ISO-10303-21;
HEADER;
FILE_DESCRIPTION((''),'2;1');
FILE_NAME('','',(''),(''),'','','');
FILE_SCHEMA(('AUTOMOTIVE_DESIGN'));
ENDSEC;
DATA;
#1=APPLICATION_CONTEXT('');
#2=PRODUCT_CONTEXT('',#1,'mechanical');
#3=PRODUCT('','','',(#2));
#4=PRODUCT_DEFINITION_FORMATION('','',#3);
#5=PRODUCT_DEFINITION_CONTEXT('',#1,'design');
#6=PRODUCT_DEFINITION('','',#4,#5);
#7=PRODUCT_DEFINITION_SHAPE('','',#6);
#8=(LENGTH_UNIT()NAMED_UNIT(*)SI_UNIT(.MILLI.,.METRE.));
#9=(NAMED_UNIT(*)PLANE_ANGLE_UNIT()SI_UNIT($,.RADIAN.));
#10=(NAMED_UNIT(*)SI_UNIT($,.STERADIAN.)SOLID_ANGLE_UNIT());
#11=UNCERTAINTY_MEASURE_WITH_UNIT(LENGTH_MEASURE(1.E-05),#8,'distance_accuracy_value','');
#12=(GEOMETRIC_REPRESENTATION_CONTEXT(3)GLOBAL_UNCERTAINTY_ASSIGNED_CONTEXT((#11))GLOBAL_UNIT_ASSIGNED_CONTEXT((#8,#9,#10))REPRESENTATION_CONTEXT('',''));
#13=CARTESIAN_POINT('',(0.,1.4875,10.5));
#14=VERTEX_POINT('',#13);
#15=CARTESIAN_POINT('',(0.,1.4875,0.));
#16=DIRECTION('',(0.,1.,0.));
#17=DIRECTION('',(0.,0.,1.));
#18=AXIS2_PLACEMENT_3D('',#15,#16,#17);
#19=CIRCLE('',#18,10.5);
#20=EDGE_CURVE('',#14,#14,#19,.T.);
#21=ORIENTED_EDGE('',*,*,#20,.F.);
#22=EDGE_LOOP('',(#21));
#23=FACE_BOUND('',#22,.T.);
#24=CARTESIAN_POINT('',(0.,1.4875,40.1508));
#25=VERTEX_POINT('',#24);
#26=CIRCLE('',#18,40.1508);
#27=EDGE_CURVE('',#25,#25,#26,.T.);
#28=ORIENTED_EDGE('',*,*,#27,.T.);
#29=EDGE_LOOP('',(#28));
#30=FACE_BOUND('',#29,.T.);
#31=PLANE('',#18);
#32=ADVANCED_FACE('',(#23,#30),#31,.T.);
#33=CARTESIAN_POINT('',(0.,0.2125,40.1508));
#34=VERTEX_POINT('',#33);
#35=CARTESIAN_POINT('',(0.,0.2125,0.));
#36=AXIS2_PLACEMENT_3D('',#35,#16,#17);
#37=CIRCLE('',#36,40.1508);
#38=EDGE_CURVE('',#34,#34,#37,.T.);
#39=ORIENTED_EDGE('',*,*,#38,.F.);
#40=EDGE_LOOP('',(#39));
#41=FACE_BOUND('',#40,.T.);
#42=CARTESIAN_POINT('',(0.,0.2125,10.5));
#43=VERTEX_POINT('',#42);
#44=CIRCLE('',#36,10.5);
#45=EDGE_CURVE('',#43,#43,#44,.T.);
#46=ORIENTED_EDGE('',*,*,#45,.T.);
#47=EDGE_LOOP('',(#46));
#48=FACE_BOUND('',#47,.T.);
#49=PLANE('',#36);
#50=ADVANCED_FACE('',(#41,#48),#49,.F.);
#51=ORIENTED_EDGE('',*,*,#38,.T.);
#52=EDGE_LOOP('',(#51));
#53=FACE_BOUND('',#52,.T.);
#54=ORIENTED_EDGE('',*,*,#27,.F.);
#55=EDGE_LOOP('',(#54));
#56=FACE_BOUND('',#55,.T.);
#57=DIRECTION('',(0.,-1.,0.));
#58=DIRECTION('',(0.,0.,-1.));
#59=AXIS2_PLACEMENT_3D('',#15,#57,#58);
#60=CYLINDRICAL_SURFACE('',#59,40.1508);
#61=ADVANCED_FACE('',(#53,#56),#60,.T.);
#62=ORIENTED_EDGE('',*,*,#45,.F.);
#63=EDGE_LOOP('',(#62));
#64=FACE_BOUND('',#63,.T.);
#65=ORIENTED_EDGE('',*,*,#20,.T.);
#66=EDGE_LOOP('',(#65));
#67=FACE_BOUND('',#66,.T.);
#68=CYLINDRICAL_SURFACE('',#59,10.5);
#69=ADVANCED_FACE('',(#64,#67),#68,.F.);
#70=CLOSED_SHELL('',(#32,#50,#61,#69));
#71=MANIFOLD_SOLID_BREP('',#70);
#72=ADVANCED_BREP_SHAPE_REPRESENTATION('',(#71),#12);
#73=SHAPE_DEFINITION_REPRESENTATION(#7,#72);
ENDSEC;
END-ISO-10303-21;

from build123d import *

# Parameters (mm, degrees)
SKETCH1_R           = 53.5344
SKETCH1_R_2         = 14
BOSS_EXTRUDE1_DEPTH = 1.7
SCALE2_SCALE        = 0.75


with BuildPart() as part:
    # Sketch1 → Boss-Extrude1 (new body)
    with BuildSketch(Plane(origin=(0, 0, 0), x_dir=(1, 0, 0), z_dir=(0, 1, 0))):
        Circle(SKETCH1_R)
        Circle(SKETCH1_R_2, mode=Mode.SUBTRACT)
    extrude(amount=BOSS_EXTRUDE1_DEPTH)


with BuildPart() as part_1:
    # Scale2: scaled about (0, 0.85, 0)
    add(part.part.scale(SCALE2_SCALE).moved(Location((0, 0.2125, 0))))


solid = part_1.part
